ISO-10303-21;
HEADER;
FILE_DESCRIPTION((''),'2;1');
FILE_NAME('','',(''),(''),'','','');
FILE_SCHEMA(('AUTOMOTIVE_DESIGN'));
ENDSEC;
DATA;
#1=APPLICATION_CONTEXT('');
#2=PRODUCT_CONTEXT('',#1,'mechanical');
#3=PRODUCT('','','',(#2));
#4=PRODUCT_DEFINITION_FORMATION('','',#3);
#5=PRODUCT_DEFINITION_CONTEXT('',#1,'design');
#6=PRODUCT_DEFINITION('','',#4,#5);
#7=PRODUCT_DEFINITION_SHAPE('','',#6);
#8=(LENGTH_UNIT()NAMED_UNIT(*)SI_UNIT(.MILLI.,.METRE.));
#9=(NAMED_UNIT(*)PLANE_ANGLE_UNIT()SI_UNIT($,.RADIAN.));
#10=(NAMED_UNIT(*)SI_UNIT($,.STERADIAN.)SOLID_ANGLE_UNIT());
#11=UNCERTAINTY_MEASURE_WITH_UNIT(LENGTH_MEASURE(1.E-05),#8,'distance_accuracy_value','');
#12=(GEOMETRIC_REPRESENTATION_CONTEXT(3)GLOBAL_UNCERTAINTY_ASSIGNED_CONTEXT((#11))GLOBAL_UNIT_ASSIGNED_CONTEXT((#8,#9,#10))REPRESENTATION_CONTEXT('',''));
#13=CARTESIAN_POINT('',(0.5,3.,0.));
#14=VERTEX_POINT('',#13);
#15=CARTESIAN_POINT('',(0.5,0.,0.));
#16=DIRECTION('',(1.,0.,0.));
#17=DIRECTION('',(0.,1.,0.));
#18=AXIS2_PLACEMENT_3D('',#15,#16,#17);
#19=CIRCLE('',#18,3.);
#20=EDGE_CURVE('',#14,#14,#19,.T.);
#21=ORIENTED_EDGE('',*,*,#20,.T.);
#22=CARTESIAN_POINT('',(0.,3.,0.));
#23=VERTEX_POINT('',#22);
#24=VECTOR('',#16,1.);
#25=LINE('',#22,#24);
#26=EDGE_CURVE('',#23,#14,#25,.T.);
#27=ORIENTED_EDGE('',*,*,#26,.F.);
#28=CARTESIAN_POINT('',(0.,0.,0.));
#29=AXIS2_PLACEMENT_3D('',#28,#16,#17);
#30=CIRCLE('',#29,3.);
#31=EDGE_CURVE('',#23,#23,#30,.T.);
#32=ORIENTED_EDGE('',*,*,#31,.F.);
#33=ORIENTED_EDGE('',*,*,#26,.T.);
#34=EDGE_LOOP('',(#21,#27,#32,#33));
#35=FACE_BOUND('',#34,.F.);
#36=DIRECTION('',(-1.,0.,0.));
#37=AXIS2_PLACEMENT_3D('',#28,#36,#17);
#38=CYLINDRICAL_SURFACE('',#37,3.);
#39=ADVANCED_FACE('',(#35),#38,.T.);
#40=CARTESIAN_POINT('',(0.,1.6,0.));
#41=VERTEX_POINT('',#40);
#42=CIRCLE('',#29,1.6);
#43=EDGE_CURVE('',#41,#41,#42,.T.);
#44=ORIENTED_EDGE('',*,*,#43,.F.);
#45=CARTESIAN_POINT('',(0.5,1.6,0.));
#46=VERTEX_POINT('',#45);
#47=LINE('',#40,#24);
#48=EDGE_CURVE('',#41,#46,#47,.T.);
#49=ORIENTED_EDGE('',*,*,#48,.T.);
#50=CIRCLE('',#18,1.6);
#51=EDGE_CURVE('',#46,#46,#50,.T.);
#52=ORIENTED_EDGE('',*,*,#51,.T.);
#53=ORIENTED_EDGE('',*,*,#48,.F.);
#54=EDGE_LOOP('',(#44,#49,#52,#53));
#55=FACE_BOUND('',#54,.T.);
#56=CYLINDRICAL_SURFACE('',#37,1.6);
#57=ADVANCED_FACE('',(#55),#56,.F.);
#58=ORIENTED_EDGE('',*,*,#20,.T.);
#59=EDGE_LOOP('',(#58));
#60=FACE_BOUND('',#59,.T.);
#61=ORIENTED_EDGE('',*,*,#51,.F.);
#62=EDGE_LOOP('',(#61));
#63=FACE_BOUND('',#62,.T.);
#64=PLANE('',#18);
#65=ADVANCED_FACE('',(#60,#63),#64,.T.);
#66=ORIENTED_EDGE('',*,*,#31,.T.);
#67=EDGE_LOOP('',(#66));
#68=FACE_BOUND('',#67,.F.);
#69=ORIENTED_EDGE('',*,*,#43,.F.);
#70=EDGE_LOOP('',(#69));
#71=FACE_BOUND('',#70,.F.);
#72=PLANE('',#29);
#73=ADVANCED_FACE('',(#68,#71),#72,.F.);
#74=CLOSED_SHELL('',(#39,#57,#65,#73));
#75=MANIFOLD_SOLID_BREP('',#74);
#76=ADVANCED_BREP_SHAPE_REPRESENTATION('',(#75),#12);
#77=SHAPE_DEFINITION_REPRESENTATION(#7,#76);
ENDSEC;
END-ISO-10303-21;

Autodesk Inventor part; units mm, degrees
ref_plane "YZ Plane" through (0, 0, 0) normal (1, 0, 0) x (0, 1, 0)
ref_plane "XZ Plane" through (0, 0, 0) normal (0, 1, 0) x (-1, 0, 0)
sketch "Sketch" plane through (0, 0, 0) normal (1, 0, 0) x (0, 1, 0)
  circle A0 centre (0, 0) radius 3
  circle A1 centre (0, 0) radius 1.6
  dimension "d0" = 3.2
  dimension "d1" = 6
extrude "Body" add sketch "Sketch" along normal blind 0.5
ref_plane "Work Plane1" through (0, 0, 0) normal (0, 0, 1) x (1, 0, 0)
equation "\"d0\" = SD1"
equation "\"d1\" = SD2"
equation "\"d2\" = SD"
equation "\"SD1\" = 3.2"
equation "\"SD2\" = 6"
equation "\"SD\" = 0.5"
equation "\"NND\" = 3"
properties part number "ISO 7092 - ST 3 - 140 HV" material "Stainless Steel"
